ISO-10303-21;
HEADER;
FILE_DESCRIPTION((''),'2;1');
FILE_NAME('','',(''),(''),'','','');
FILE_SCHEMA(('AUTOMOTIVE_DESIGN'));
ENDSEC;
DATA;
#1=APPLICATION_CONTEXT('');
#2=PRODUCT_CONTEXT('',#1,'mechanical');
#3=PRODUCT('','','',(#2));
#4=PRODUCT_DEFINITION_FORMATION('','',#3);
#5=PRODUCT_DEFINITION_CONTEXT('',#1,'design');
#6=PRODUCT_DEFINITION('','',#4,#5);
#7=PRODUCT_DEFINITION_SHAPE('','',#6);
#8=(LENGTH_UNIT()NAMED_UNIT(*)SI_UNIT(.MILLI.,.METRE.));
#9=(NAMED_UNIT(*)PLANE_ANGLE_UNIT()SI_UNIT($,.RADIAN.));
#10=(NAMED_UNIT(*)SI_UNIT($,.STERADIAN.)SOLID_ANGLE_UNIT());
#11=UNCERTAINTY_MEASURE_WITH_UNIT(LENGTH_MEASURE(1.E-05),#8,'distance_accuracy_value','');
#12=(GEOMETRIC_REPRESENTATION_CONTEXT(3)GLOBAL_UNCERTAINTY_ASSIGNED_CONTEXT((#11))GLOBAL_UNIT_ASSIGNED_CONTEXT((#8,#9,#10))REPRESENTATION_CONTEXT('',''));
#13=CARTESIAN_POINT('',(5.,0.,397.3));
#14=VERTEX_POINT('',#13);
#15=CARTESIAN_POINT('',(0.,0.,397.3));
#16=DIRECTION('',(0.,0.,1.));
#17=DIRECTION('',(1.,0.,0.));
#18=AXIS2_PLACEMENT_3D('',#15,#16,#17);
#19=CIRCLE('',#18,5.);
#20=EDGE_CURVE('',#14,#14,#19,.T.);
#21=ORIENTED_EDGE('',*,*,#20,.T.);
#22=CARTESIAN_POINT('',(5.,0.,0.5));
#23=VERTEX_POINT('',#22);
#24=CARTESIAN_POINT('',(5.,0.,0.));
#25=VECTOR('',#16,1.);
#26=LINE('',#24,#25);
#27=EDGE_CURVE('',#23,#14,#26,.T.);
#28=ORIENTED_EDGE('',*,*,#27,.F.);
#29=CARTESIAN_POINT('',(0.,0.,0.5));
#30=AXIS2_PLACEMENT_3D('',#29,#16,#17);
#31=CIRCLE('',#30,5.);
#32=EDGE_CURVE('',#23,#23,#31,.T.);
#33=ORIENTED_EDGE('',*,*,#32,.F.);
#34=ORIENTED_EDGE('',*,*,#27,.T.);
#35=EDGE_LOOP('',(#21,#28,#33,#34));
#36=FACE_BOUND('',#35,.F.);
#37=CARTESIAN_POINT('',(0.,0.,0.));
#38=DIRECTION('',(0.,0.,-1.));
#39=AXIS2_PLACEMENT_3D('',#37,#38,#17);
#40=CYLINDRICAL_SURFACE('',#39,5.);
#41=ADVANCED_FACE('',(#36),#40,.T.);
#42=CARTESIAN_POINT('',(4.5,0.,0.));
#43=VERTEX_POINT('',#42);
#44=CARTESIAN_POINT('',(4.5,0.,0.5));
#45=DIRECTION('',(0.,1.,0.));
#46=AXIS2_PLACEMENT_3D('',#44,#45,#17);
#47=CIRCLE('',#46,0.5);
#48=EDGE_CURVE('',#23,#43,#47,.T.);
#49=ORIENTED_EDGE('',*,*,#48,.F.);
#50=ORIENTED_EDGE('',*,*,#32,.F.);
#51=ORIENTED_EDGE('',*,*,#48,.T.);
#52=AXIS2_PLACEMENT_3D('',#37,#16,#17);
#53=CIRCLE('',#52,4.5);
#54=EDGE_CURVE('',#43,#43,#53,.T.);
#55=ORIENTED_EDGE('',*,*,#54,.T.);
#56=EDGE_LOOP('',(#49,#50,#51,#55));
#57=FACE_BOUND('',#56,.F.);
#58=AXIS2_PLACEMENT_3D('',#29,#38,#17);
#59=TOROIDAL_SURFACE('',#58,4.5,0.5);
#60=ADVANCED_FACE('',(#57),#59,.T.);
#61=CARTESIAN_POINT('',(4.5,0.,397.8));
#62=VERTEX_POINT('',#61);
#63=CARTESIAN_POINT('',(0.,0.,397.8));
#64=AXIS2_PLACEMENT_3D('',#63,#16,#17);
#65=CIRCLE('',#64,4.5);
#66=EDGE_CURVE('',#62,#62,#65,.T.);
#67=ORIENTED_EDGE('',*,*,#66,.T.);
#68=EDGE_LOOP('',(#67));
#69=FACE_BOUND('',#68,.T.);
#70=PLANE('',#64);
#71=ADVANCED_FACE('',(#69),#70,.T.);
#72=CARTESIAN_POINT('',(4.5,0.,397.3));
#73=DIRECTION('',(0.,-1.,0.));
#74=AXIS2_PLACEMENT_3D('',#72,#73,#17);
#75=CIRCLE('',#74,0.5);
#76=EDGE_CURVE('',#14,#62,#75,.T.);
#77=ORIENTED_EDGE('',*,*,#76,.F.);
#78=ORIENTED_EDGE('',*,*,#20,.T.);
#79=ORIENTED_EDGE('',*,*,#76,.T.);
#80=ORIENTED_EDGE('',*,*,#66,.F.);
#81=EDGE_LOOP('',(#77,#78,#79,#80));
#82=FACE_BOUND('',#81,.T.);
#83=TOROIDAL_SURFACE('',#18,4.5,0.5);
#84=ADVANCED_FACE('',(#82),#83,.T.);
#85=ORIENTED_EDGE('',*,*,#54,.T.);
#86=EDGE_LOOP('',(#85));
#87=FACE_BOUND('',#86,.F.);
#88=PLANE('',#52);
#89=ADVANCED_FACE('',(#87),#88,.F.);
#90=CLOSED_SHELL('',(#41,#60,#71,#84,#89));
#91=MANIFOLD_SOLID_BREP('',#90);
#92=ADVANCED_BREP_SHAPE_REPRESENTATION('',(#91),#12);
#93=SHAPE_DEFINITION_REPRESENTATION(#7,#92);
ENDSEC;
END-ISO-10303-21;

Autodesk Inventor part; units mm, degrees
ref_plane "YZ Plane" through (0, 0, 0) normal (1, 0, 0) x (0, 1, 0)
ref_plane "XZ Plane" through (0, 0, 0) normal (0, 1, 0) x (-1, 0, 0)
ref_plane "XY Plane" through (0, 0, 0) normal (0, 0, 1) x (1, 0, 0)
sketch "Boceto1" plane through (0, 0, 0) normal (0, 0, 1) x (1, 0, 0)
  circle A0 centre (0, 0) radius 5
extrude "Extrusión1" add sketch "Boceto1" along normal blind 397.8
fillet "Empalme1" radius 0.5 2 edges at (-5, 0, 397.8) (-5, 0, 0)
properties part number "varilla 10 carro y"
